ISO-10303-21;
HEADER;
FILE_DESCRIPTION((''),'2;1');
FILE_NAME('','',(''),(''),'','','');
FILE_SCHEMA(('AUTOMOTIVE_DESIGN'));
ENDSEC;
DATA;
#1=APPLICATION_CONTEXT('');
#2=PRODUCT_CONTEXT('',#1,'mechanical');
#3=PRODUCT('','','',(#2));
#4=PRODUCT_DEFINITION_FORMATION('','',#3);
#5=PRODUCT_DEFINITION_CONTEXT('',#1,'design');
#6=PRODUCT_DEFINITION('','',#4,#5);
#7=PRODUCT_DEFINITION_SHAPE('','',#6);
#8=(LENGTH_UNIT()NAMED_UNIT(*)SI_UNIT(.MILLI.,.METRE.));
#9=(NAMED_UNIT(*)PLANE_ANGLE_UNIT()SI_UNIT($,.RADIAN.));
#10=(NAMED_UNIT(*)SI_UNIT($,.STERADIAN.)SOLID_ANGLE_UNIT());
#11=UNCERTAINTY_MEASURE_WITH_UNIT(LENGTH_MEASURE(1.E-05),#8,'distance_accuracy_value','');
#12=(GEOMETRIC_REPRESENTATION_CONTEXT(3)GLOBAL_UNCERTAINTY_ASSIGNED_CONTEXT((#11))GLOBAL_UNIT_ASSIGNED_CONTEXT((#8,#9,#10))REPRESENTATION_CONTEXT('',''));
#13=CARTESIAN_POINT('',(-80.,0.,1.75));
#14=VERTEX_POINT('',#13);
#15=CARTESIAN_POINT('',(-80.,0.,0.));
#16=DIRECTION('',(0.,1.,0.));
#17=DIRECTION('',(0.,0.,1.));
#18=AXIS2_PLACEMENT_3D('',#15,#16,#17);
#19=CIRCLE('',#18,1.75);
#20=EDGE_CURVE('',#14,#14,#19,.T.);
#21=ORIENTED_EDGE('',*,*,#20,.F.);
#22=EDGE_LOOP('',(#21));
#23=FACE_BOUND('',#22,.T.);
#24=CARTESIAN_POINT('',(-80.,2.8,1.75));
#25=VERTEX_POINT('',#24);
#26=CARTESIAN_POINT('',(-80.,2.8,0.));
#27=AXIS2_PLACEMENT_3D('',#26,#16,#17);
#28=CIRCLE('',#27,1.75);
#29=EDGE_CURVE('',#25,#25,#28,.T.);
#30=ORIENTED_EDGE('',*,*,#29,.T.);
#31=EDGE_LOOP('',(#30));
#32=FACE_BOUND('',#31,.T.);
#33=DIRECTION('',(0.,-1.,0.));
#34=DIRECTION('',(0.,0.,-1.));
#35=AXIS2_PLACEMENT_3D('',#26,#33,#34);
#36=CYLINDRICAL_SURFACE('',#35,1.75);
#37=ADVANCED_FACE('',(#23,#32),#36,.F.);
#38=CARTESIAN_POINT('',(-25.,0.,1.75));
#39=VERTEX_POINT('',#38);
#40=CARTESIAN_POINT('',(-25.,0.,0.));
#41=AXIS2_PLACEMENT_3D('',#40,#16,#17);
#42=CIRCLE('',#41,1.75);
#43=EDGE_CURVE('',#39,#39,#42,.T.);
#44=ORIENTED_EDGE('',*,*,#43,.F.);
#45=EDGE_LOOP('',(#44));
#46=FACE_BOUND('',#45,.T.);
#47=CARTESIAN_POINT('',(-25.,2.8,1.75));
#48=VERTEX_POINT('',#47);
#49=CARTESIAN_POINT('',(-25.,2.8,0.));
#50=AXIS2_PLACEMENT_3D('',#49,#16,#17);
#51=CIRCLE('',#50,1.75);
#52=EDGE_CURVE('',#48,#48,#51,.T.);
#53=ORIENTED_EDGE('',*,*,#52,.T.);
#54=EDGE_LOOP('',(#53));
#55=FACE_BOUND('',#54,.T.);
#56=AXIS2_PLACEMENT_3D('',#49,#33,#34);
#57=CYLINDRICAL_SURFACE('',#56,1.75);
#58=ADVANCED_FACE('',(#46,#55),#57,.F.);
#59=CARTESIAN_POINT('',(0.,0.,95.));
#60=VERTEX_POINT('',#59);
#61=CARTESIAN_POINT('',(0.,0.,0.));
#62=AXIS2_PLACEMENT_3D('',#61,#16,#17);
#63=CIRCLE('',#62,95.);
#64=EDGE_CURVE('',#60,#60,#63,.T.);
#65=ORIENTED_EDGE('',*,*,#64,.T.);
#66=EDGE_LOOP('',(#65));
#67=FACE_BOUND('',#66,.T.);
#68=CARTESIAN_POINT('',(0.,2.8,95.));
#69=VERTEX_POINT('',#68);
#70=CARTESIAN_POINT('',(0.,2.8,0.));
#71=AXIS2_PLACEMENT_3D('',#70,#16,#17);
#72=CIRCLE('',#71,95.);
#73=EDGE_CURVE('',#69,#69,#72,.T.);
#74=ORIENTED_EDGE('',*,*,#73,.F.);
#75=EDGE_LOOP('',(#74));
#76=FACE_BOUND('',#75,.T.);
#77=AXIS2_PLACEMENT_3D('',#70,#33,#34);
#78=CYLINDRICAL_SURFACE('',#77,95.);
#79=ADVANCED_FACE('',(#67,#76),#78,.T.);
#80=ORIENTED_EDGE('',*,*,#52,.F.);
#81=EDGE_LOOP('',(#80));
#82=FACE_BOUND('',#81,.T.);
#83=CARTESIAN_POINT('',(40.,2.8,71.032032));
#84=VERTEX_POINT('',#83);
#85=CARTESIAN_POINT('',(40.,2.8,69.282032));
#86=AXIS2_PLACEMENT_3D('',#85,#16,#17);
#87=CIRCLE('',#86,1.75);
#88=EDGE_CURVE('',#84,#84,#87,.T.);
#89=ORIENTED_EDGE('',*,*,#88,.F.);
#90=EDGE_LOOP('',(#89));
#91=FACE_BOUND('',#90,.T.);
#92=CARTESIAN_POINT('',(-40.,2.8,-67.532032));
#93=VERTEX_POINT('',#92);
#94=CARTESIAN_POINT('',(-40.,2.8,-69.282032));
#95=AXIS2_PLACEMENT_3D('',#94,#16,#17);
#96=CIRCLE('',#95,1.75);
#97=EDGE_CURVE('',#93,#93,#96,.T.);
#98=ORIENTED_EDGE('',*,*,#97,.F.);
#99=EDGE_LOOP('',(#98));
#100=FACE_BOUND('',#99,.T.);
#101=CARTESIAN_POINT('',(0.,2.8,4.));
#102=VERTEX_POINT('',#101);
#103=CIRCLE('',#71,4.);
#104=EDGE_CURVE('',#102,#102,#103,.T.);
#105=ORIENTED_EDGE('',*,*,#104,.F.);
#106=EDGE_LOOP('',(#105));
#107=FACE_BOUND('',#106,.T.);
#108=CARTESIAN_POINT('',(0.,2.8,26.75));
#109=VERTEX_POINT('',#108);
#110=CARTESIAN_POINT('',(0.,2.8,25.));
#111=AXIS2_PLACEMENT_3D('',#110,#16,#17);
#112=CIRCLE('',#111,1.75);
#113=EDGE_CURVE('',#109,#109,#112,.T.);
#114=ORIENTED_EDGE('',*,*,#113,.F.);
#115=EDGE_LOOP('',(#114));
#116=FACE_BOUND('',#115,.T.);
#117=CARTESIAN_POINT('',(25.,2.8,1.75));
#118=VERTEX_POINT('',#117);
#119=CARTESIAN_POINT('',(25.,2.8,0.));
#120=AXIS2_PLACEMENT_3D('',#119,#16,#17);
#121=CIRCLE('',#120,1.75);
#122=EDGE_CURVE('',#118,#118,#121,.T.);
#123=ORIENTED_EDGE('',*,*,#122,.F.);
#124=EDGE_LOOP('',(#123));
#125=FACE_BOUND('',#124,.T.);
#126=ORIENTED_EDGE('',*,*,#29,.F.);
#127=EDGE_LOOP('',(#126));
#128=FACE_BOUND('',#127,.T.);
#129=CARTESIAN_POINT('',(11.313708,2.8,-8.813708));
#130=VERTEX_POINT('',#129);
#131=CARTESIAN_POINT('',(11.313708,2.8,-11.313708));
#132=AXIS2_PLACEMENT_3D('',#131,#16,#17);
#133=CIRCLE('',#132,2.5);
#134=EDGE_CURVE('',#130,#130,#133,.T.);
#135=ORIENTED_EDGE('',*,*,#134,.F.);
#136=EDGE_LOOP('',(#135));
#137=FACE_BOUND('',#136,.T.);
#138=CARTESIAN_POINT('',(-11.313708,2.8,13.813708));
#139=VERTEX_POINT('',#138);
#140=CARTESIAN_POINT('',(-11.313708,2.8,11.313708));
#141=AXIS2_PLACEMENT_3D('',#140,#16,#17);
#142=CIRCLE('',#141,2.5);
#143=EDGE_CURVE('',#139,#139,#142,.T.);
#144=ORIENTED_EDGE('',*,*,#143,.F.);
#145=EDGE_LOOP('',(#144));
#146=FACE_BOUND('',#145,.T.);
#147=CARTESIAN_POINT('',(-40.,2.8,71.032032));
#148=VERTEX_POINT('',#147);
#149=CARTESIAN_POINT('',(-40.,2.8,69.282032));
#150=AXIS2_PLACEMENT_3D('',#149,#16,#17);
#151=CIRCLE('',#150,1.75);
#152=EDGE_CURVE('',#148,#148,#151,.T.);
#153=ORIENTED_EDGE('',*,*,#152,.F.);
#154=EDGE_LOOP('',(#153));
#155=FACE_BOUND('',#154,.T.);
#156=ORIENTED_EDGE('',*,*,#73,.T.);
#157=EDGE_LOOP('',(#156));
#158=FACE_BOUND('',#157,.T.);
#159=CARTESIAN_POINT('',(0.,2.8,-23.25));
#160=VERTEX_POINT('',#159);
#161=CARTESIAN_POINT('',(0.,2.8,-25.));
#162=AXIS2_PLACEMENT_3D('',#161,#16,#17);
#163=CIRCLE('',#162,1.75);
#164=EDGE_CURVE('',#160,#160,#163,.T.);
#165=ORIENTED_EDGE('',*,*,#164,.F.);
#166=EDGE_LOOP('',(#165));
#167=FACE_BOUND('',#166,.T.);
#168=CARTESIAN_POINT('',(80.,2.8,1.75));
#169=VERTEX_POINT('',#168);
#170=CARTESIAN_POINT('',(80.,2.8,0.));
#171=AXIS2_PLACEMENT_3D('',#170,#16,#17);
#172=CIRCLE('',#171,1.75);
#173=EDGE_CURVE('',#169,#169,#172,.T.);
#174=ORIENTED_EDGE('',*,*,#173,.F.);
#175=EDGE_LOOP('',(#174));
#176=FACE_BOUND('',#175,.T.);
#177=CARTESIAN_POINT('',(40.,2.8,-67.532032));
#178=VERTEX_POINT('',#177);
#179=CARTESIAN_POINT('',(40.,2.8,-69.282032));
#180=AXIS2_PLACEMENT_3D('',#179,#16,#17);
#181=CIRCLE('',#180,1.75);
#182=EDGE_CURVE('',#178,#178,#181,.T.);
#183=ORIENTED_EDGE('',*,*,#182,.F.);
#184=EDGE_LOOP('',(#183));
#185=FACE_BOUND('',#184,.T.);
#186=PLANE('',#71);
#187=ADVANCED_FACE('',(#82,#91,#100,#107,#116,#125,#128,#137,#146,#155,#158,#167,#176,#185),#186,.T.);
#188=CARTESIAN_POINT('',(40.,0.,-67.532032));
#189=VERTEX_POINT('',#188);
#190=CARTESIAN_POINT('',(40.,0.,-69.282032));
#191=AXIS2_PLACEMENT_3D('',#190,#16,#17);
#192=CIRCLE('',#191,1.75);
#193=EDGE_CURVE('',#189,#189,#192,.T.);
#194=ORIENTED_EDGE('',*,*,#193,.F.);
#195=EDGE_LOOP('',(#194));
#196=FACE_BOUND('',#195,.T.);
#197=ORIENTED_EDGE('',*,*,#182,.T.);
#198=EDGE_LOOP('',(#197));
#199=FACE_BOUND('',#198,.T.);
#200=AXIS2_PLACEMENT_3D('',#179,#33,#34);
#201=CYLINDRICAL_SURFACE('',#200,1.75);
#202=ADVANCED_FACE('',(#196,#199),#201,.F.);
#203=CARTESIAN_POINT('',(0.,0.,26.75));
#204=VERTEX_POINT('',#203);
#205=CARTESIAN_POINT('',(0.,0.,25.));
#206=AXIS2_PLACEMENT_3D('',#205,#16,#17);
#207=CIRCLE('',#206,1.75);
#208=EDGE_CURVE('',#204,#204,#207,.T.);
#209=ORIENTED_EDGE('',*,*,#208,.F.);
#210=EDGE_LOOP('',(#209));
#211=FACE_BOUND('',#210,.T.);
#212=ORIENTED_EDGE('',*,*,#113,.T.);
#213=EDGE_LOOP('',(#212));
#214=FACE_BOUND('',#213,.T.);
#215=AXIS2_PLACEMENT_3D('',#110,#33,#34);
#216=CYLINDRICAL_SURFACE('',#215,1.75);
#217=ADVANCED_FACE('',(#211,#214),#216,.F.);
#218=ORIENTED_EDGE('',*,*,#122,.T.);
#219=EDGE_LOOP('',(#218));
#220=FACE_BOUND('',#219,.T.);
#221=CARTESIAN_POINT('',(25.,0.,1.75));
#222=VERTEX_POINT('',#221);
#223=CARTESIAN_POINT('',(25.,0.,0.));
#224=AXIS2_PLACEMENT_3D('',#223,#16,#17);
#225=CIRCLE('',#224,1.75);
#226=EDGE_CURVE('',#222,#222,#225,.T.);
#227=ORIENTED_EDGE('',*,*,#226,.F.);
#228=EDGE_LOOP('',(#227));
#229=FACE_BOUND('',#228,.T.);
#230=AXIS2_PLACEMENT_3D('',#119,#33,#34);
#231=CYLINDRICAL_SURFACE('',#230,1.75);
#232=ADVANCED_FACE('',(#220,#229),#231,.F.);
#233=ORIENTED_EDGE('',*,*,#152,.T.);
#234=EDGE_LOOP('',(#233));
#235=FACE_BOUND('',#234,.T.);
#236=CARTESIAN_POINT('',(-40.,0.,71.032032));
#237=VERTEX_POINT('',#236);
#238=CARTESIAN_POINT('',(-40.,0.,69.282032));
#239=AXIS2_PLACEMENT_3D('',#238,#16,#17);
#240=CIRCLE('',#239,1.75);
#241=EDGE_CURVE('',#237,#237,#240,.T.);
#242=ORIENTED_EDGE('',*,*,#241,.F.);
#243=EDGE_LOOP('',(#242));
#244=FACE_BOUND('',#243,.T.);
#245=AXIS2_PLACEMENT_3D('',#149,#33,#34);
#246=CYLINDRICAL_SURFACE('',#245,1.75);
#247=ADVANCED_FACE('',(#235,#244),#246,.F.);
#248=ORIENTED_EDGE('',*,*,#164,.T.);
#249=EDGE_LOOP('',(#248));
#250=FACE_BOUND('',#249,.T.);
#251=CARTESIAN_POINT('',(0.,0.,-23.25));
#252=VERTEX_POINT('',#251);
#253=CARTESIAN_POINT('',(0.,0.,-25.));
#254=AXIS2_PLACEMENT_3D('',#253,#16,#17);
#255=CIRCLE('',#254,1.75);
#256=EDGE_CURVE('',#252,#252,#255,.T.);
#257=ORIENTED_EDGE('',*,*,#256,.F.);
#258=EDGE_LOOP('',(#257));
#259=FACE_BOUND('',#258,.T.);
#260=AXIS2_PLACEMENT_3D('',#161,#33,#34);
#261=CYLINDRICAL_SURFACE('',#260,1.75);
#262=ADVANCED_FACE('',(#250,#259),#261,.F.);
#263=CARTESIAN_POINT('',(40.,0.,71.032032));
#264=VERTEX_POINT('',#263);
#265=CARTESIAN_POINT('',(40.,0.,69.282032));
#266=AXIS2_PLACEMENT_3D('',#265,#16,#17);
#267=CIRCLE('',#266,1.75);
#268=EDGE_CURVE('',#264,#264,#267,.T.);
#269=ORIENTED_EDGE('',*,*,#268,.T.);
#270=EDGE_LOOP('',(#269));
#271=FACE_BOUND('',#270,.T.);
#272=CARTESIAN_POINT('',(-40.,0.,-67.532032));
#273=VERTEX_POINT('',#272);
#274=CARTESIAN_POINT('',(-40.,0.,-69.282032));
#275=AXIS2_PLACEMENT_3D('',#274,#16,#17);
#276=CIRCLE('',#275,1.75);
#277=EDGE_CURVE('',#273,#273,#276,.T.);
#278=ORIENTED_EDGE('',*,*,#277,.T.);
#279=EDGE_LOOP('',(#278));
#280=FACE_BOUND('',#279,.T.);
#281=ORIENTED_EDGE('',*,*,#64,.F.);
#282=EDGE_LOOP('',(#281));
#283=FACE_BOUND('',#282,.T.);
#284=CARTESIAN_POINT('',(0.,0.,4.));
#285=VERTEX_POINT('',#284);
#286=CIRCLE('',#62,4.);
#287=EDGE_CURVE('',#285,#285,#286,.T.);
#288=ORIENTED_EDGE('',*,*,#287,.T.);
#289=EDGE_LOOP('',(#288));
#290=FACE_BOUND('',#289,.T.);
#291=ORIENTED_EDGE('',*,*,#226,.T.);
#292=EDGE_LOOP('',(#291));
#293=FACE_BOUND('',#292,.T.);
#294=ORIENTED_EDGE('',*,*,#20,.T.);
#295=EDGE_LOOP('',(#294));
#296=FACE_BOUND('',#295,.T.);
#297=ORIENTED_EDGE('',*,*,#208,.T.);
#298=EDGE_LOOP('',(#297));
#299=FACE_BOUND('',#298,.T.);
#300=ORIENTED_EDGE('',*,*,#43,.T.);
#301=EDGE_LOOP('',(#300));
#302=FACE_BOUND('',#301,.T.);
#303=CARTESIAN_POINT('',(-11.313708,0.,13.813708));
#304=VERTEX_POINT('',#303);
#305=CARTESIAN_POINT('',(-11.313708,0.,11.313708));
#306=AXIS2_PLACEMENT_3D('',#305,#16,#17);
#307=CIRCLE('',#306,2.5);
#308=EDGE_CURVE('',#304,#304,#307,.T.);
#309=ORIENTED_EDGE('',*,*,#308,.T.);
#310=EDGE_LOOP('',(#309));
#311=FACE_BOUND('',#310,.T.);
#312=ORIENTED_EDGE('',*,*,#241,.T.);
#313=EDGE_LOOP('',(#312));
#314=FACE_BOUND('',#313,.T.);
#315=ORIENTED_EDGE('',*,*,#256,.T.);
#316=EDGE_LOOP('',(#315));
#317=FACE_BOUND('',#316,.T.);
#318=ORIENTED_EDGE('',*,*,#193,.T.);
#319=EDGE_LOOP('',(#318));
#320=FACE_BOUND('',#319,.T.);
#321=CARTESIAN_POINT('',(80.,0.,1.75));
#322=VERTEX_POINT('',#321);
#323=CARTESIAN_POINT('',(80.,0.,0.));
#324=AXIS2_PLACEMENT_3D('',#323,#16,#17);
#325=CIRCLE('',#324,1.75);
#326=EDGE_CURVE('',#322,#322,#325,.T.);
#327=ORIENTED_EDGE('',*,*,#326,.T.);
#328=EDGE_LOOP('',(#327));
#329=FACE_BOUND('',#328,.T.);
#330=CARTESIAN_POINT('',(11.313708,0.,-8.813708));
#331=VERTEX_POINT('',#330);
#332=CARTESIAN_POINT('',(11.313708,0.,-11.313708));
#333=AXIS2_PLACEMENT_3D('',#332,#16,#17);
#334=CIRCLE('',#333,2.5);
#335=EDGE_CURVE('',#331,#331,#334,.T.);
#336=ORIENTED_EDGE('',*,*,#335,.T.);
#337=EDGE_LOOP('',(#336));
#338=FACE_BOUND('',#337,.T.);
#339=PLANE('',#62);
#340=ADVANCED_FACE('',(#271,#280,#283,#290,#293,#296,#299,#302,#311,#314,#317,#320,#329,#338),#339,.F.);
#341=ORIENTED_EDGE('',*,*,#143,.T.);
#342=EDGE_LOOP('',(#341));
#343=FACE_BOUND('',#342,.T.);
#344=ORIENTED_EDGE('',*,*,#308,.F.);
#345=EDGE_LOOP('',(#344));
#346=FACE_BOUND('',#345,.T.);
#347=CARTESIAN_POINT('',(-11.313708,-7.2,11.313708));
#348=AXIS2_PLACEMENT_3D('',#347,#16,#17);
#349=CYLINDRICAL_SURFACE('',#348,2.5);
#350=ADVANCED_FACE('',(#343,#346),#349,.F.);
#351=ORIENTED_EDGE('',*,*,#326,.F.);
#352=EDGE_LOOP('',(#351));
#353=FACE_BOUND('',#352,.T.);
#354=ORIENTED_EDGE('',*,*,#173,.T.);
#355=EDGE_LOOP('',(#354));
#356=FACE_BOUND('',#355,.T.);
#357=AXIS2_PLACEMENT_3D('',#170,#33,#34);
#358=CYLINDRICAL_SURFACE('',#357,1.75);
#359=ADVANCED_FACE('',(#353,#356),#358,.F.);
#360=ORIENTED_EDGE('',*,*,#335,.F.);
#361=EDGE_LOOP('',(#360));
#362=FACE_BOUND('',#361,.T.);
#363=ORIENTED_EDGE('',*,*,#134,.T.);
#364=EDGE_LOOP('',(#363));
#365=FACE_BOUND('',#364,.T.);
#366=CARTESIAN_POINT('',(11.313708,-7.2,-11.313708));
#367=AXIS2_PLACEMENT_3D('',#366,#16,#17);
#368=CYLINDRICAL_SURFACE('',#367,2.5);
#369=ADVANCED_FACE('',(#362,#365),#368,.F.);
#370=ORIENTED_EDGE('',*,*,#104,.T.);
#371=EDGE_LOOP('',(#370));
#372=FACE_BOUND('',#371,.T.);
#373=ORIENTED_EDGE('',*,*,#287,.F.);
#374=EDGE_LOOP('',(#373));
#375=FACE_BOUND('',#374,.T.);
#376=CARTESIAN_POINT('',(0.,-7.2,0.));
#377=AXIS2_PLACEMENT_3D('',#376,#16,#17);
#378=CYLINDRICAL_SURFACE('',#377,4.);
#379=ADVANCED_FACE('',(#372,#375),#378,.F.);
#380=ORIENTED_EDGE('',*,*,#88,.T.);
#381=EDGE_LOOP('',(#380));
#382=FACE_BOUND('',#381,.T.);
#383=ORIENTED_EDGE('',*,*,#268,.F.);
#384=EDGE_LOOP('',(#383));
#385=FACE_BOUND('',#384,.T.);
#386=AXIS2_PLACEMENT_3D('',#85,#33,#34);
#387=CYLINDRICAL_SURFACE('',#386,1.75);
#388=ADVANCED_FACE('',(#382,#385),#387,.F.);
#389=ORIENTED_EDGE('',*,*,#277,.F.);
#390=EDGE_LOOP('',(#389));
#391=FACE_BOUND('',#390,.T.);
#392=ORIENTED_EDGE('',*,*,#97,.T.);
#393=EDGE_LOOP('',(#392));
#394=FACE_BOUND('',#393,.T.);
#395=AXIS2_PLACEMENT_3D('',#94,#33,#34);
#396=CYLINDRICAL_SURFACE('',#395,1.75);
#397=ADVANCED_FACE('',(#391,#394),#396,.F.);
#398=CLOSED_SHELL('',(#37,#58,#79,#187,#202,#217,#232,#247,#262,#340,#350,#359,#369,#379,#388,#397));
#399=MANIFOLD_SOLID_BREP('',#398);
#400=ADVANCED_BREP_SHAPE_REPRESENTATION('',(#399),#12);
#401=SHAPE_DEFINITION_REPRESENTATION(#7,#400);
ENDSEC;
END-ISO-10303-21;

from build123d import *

# Parameters (mm, degrees)
SKETCH1_R           = 95
SKETCH1_R_2         = 1.75
BOSS_EXTRUDE1_DEPTH = 2.8
SKETCH2_R           = 4
SKETCH2_R_2         = 2.5
CUT_EXTRUDE1_DEPTH  = 10


with BuildPart() as part:
    # Sketch1 → Boss-Extrude1 (new body)
    with BuildSketch(Plane(origin=(0, 0, 0), x_dir=(1, 0, 0), z_dir=(0, 1, 0))):
        with Locations(Location((0, 0, 0), (0, 0, 270))):
            Circle(SKETCH1_R)
        with Locations(Location((80, 0, 0), (0, 0, 270))):
            Circle(SKETCH1_R_2, mode=Mode.SUBTRACT)
        with Locations(Location((40, -69.282032303, 0), (0, 0, 270))):
            Circle(SKETCH1_R_2, mode=Mode.SUBTRACT)
        with Locations(Location((-40, -69.282032303, 0), (0, 0, 270))):
            Circle(SKETCH1_R_2, mode=Mode.SUBTRACT)
        with Locations(Location((-80, 0, 0), (0, 0, 270))):
            Circle(SKETCH1_R_2, mode=Mode.SUBTRACT)
        with Locations(Location((-40, 69.282032303, 0), (0, 0, 270))):
            Circle(SKETCH1_R_2, mode=Mode.SUBTRACT)
        with Locations(Location((40, 69.282032303, 0), (0, 0, 270))):
            Circle(SKETCH1_R_2, mode=Mode.SUBTRACT)
        with Locations(Location((0, 25, 0), (0, 0, 270))):
            Circle(SKETCH1_R_2, mode=Mode.SUBTRACT)
        with Locations(Location((25, 0, 0), (0, 0, 270))):
            Circle(SKETCH1_R_2, mode=Mode.SUBTRACT)
        with Locations(Location((0, -25, 0), (0, 0, 270))):
            Circle(SKETCH1_R_2, mode=Mode.SUBTRACT)
        with Locations(Location((-25, 0, 0), (0, 0, 270))):
            Circle(SKETCH1_R_2, mode=Mode.SUBTRACT)
    extrude(amount=BOSS_EXTRUDE1_DEPTH)

    # Sketch2 → Cut-Extrude1 (cut)
    with BuildSketch(Plane(origin=(0, 2.8, 0), x_dir=(1, 0, 0), z_dir=(0, 1, 0))):
        with Locations(Location((0, 0, 0), (0, 0, 270))):
            Circle(SKETCH2_R)
        with Locations(Location((11.313708499, 11.313708499, 0), (0, 0, 270))):
            Circle(SKETCH2_R_2)
        with Locations(Location((-11.313708499, -11.313708499, 0), (0, 0, 270))):
            Circle(SKETCH2_R_2)
    extrude(amount=-CUT_EXTRUDE1_DEPTH, mode=Mode.SUBTRACT)


solid = part.part
